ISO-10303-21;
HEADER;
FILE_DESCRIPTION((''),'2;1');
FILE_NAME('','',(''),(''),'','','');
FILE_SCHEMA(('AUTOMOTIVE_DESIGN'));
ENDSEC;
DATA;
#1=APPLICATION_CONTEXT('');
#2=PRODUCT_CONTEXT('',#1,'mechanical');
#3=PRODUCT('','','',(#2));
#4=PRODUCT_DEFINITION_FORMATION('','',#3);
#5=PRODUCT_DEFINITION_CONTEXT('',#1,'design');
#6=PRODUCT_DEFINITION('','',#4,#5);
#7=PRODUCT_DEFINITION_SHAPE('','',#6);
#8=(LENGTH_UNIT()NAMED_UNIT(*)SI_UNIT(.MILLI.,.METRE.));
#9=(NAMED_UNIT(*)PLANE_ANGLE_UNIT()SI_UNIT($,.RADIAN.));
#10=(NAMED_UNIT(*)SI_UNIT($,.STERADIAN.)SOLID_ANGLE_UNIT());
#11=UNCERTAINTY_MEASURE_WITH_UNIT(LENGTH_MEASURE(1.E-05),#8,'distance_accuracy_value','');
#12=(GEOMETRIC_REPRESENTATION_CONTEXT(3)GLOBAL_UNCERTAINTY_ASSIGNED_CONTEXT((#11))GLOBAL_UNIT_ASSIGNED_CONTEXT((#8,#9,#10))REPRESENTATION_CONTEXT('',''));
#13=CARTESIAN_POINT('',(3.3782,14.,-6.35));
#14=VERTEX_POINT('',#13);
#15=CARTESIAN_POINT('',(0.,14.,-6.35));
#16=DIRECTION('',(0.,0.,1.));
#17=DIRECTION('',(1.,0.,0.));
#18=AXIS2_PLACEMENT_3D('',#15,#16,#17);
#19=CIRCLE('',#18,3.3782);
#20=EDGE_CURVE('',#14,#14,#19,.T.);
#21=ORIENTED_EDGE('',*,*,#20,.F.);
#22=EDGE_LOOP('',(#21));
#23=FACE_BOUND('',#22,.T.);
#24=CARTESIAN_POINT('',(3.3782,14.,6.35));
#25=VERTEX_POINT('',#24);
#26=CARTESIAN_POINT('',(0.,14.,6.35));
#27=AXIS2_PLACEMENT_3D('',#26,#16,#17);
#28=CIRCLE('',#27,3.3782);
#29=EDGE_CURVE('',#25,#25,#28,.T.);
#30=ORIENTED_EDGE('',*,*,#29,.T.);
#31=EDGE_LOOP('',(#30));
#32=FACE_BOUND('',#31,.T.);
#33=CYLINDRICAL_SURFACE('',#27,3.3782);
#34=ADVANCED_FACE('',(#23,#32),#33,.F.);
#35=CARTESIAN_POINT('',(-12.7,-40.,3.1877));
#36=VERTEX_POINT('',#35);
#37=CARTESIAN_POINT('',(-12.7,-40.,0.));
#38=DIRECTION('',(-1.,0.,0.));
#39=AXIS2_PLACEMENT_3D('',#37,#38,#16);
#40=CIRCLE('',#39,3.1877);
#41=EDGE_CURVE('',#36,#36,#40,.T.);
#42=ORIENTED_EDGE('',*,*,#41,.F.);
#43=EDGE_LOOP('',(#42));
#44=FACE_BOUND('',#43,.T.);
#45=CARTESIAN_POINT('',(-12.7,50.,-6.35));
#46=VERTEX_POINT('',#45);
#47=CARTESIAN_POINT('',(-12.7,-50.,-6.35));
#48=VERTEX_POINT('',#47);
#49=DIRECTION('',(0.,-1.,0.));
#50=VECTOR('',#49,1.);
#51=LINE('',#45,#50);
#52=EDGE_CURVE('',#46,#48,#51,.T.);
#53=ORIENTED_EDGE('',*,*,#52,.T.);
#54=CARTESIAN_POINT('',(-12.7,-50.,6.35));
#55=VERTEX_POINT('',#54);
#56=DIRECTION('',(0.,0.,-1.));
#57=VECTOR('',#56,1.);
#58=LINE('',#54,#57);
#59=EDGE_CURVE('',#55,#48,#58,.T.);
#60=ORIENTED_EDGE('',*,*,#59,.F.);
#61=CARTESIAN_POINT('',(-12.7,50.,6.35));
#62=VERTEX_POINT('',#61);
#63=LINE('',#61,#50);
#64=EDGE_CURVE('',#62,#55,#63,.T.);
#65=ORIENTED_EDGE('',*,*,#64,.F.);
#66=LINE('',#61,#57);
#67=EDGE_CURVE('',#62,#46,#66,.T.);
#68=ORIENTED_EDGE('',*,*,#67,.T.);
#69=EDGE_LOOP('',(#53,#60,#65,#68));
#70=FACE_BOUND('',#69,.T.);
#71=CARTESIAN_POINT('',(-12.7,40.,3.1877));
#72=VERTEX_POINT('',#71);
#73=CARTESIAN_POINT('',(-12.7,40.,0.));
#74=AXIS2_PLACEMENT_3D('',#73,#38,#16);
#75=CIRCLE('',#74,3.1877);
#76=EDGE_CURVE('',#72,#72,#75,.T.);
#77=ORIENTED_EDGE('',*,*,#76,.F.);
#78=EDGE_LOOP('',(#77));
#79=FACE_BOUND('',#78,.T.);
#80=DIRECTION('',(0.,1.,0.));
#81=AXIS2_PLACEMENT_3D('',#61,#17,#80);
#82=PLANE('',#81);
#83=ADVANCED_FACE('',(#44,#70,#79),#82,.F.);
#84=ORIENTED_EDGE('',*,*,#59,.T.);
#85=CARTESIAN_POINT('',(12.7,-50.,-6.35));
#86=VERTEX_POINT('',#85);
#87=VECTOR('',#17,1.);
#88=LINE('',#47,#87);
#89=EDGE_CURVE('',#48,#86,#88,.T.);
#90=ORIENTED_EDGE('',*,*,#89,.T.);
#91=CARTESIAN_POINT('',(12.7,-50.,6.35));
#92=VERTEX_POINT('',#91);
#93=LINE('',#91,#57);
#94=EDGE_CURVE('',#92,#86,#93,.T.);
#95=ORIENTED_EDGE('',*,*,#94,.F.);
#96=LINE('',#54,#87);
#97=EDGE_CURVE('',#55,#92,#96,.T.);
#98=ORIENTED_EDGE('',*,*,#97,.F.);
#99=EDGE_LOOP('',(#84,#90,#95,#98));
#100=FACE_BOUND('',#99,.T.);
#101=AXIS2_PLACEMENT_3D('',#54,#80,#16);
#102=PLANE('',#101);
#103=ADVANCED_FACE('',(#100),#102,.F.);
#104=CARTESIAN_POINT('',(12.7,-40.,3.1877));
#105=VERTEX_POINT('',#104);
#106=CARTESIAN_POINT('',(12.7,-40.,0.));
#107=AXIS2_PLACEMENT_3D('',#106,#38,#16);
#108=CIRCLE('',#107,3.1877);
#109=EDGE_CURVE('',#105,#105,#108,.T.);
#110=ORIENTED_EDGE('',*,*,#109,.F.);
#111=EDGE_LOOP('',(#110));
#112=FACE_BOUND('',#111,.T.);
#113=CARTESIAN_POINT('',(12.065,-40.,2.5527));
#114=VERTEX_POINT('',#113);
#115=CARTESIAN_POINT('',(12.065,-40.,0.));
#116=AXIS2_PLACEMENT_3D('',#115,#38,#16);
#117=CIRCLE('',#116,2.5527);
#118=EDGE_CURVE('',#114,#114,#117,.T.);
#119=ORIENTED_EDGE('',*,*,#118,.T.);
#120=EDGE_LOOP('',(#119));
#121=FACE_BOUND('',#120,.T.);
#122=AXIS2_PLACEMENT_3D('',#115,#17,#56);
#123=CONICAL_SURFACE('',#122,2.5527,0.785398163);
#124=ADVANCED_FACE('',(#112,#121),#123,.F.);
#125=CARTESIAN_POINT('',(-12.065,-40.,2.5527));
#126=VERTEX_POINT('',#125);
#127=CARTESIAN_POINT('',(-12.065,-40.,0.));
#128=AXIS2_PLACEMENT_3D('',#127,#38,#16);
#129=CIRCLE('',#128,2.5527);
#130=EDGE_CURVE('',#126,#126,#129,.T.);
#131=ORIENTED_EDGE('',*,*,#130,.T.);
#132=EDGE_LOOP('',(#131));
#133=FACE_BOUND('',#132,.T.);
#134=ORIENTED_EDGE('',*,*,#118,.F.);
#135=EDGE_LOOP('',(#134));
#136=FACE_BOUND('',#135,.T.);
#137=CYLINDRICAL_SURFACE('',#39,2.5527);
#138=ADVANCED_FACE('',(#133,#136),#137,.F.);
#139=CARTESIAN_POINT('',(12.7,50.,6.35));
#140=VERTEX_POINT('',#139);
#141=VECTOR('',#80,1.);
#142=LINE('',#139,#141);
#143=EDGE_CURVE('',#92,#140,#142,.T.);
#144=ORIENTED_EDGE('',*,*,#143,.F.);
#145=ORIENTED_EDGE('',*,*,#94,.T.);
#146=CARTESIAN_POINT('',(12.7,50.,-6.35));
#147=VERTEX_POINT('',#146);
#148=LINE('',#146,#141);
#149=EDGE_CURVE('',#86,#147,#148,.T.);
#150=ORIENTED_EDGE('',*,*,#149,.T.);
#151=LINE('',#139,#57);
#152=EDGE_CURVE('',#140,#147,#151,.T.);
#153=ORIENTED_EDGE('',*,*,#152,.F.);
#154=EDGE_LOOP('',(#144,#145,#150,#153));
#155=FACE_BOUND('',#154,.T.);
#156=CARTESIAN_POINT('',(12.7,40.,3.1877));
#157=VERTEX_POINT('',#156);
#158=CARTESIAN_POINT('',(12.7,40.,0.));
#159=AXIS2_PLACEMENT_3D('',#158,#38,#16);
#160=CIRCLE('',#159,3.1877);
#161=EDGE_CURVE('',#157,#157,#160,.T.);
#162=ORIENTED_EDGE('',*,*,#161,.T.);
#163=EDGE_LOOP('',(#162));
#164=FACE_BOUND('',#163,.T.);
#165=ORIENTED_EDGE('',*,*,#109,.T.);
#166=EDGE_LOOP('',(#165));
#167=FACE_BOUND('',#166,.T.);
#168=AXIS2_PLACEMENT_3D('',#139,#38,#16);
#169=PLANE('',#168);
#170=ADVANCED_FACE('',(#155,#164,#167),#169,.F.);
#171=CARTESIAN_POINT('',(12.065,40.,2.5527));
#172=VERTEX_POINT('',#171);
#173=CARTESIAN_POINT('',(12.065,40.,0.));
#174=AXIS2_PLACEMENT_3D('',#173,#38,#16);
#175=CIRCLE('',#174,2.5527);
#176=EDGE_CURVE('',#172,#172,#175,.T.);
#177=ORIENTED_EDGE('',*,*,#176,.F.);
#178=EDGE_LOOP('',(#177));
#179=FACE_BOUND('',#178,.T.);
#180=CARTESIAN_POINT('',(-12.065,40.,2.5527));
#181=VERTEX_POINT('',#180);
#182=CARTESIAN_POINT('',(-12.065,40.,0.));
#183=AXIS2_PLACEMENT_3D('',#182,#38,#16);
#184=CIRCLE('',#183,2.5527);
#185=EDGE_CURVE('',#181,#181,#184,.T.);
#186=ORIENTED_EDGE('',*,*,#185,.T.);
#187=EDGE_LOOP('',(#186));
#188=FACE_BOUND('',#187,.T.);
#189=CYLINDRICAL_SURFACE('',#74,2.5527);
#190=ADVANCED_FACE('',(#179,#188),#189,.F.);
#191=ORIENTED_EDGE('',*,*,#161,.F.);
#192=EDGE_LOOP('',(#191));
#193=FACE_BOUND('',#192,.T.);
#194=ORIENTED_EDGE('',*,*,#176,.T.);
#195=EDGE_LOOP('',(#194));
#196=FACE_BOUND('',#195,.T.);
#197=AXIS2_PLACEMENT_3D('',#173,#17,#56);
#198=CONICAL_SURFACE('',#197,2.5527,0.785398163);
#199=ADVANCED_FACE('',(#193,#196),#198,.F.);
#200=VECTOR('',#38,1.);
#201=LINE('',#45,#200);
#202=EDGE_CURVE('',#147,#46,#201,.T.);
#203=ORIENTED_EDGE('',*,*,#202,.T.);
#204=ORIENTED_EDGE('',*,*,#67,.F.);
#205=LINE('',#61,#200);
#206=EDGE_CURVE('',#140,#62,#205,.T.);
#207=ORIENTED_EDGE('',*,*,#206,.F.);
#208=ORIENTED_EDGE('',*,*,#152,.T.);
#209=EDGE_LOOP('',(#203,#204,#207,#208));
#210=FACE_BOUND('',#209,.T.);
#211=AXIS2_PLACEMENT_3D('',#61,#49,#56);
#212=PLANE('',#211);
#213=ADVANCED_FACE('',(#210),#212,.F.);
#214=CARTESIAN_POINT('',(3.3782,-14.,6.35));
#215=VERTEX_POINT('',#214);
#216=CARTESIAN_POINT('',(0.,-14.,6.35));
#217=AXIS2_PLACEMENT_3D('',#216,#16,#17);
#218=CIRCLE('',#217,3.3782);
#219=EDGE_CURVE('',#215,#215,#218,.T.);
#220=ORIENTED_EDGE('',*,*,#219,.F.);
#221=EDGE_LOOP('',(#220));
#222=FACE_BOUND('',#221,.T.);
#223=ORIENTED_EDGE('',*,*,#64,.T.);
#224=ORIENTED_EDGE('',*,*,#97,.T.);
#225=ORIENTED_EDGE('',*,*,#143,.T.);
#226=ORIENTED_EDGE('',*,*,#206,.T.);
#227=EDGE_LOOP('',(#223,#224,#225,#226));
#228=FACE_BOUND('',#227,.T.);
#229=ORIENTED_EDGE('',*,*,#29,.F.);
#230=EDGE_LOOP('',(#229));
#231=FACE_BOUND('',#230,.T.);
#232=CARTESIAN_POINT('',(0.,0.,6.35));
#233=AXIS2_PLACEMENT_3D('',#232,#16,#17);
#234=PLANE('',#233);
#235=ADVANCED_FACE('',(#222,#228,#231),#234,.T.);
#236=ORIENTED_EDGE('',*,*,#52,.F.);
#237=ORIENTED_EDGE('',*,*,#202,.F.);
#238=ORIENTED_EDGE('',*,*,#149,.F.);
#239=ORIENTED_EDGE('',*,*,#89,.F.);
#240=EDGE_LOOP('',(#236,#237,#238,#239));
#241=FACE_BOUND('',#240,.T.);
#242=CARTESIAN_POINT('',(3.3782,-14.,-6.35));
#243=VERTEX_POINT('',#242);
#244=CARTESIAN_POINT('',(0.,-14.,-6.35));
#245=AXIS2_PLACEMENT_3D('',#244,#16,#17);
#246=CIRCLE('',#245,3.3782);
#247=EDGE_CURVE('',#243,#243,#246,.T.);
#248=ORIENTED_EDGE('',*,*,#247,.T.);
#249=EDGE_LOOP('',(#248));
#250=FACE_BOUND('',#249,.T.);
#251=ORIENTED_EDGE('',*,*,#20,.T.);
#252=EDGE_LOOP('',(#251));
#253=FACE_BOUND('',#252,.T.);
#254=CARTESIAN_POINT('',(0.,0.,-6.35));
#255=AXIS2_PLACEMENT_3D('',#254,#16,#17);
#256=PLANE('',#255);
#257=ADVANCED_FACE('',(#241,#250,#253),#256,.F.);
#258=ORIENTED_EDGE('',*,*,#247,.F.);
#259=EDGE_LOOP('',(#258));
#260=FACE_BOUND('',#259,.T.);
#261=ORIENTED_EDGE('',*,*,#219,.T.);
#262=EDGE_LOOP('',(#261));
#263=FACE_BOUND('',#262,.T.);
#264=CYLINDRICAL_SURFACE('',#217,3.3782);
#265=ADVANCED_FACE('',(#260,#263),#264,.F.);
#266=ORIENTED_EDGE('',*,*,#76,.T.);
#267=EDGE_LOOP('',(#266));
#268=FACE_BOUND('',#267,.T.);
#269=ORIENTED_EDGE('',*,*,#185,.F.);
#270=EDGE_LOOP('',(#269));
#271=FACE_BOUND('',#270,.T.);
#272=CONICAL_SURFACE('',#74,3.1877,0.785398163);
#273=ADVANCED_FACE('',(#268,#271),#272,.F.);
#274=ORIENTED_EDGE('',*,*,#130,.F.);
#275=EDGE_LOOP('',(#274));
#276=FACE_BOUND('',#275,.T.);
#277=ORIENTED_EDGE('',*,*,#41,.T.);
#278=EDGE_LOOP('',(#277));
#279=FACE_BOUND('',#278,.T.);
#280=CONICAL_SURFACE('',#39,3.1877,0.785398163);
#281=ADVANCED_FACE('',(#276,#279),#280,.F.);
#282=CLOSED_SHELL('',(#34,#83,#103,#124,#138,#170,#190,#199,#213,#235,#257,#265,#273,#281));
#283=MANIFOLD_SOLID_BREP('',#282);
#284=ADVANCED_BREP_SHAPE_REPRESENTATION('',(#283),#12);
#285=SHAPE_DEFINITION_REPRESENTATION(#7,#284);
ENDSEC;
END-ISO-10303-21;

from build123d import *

# Parameters (mm, degrees)
CROQUIS1_W                         = 25.4
CROQUIS1_H                         = 100
SALIENTE_EXTRUIR1_DEPTH            = 6.35
TALADRO_DE_MARGEN_PARA_1_41_D      = 6.7564
TALADRO_ROSCADO_1_4_202_AT_2_COUNT = 2
TALADRO_ROSCADO_1_4_202_AT_2_PITCH = 80


with BuildPart() as part:
    # Croquis1 → Saliente-Extruir1 (new, symmetric)
    with BuildSketch(Plane.XY):
        Rectangle(CROQUIS1_W, CROQUIS1_H)
    extrude(amount=SALIENTE_EXTRUIR1_DEPTH, both=True)

    # Taladro de margen para 1/41 (through all)
    with Locations(Plane(origin=(-6.35, 0, 6.35), x_dir=(-1, 0, 0), z_dir=(0, 0, 1))):
        with Locations((-6.35, 14), (-6.35, -14)):
            Hole(TALADRO_DE_MARGEN_PARA_1_41_D / 2)

    # Croquis7 → Taladro roscado 1/4-202 (revolve, cut)
    with BuildSketch(Plane(origin=(-12.7, 40, 0), x_dir=(0, 0, 1), z_dir=(0, 1, 0))):
        Polygon((0, 0), (0, 25.4), (3.1877, 25.4), (2.5527, 24.765), (2.5527, 0.635), (3.1877, 0), align=None)
    taladro_roscado_1_4_202 = revolve(axis=Axis((-19.05, 40, 0), (1, 0, 0)), mode=Mode.SUBTRACT)

    # Taladro roscado 1/4-202 at 2: Taladro roscado 1/4-202 ×2
    with Locations(*[(0, -i * TALADRO_ROSCADO_1_4_202_AT_2_PITCH, 0) for i in range(1, TALADRO_ROSCADO_1_4_202_AT_2_COUNT)]):
        add(taladro_roscado_1_4_202, mode=Mode.SUBTRACT)


solid = part.part
